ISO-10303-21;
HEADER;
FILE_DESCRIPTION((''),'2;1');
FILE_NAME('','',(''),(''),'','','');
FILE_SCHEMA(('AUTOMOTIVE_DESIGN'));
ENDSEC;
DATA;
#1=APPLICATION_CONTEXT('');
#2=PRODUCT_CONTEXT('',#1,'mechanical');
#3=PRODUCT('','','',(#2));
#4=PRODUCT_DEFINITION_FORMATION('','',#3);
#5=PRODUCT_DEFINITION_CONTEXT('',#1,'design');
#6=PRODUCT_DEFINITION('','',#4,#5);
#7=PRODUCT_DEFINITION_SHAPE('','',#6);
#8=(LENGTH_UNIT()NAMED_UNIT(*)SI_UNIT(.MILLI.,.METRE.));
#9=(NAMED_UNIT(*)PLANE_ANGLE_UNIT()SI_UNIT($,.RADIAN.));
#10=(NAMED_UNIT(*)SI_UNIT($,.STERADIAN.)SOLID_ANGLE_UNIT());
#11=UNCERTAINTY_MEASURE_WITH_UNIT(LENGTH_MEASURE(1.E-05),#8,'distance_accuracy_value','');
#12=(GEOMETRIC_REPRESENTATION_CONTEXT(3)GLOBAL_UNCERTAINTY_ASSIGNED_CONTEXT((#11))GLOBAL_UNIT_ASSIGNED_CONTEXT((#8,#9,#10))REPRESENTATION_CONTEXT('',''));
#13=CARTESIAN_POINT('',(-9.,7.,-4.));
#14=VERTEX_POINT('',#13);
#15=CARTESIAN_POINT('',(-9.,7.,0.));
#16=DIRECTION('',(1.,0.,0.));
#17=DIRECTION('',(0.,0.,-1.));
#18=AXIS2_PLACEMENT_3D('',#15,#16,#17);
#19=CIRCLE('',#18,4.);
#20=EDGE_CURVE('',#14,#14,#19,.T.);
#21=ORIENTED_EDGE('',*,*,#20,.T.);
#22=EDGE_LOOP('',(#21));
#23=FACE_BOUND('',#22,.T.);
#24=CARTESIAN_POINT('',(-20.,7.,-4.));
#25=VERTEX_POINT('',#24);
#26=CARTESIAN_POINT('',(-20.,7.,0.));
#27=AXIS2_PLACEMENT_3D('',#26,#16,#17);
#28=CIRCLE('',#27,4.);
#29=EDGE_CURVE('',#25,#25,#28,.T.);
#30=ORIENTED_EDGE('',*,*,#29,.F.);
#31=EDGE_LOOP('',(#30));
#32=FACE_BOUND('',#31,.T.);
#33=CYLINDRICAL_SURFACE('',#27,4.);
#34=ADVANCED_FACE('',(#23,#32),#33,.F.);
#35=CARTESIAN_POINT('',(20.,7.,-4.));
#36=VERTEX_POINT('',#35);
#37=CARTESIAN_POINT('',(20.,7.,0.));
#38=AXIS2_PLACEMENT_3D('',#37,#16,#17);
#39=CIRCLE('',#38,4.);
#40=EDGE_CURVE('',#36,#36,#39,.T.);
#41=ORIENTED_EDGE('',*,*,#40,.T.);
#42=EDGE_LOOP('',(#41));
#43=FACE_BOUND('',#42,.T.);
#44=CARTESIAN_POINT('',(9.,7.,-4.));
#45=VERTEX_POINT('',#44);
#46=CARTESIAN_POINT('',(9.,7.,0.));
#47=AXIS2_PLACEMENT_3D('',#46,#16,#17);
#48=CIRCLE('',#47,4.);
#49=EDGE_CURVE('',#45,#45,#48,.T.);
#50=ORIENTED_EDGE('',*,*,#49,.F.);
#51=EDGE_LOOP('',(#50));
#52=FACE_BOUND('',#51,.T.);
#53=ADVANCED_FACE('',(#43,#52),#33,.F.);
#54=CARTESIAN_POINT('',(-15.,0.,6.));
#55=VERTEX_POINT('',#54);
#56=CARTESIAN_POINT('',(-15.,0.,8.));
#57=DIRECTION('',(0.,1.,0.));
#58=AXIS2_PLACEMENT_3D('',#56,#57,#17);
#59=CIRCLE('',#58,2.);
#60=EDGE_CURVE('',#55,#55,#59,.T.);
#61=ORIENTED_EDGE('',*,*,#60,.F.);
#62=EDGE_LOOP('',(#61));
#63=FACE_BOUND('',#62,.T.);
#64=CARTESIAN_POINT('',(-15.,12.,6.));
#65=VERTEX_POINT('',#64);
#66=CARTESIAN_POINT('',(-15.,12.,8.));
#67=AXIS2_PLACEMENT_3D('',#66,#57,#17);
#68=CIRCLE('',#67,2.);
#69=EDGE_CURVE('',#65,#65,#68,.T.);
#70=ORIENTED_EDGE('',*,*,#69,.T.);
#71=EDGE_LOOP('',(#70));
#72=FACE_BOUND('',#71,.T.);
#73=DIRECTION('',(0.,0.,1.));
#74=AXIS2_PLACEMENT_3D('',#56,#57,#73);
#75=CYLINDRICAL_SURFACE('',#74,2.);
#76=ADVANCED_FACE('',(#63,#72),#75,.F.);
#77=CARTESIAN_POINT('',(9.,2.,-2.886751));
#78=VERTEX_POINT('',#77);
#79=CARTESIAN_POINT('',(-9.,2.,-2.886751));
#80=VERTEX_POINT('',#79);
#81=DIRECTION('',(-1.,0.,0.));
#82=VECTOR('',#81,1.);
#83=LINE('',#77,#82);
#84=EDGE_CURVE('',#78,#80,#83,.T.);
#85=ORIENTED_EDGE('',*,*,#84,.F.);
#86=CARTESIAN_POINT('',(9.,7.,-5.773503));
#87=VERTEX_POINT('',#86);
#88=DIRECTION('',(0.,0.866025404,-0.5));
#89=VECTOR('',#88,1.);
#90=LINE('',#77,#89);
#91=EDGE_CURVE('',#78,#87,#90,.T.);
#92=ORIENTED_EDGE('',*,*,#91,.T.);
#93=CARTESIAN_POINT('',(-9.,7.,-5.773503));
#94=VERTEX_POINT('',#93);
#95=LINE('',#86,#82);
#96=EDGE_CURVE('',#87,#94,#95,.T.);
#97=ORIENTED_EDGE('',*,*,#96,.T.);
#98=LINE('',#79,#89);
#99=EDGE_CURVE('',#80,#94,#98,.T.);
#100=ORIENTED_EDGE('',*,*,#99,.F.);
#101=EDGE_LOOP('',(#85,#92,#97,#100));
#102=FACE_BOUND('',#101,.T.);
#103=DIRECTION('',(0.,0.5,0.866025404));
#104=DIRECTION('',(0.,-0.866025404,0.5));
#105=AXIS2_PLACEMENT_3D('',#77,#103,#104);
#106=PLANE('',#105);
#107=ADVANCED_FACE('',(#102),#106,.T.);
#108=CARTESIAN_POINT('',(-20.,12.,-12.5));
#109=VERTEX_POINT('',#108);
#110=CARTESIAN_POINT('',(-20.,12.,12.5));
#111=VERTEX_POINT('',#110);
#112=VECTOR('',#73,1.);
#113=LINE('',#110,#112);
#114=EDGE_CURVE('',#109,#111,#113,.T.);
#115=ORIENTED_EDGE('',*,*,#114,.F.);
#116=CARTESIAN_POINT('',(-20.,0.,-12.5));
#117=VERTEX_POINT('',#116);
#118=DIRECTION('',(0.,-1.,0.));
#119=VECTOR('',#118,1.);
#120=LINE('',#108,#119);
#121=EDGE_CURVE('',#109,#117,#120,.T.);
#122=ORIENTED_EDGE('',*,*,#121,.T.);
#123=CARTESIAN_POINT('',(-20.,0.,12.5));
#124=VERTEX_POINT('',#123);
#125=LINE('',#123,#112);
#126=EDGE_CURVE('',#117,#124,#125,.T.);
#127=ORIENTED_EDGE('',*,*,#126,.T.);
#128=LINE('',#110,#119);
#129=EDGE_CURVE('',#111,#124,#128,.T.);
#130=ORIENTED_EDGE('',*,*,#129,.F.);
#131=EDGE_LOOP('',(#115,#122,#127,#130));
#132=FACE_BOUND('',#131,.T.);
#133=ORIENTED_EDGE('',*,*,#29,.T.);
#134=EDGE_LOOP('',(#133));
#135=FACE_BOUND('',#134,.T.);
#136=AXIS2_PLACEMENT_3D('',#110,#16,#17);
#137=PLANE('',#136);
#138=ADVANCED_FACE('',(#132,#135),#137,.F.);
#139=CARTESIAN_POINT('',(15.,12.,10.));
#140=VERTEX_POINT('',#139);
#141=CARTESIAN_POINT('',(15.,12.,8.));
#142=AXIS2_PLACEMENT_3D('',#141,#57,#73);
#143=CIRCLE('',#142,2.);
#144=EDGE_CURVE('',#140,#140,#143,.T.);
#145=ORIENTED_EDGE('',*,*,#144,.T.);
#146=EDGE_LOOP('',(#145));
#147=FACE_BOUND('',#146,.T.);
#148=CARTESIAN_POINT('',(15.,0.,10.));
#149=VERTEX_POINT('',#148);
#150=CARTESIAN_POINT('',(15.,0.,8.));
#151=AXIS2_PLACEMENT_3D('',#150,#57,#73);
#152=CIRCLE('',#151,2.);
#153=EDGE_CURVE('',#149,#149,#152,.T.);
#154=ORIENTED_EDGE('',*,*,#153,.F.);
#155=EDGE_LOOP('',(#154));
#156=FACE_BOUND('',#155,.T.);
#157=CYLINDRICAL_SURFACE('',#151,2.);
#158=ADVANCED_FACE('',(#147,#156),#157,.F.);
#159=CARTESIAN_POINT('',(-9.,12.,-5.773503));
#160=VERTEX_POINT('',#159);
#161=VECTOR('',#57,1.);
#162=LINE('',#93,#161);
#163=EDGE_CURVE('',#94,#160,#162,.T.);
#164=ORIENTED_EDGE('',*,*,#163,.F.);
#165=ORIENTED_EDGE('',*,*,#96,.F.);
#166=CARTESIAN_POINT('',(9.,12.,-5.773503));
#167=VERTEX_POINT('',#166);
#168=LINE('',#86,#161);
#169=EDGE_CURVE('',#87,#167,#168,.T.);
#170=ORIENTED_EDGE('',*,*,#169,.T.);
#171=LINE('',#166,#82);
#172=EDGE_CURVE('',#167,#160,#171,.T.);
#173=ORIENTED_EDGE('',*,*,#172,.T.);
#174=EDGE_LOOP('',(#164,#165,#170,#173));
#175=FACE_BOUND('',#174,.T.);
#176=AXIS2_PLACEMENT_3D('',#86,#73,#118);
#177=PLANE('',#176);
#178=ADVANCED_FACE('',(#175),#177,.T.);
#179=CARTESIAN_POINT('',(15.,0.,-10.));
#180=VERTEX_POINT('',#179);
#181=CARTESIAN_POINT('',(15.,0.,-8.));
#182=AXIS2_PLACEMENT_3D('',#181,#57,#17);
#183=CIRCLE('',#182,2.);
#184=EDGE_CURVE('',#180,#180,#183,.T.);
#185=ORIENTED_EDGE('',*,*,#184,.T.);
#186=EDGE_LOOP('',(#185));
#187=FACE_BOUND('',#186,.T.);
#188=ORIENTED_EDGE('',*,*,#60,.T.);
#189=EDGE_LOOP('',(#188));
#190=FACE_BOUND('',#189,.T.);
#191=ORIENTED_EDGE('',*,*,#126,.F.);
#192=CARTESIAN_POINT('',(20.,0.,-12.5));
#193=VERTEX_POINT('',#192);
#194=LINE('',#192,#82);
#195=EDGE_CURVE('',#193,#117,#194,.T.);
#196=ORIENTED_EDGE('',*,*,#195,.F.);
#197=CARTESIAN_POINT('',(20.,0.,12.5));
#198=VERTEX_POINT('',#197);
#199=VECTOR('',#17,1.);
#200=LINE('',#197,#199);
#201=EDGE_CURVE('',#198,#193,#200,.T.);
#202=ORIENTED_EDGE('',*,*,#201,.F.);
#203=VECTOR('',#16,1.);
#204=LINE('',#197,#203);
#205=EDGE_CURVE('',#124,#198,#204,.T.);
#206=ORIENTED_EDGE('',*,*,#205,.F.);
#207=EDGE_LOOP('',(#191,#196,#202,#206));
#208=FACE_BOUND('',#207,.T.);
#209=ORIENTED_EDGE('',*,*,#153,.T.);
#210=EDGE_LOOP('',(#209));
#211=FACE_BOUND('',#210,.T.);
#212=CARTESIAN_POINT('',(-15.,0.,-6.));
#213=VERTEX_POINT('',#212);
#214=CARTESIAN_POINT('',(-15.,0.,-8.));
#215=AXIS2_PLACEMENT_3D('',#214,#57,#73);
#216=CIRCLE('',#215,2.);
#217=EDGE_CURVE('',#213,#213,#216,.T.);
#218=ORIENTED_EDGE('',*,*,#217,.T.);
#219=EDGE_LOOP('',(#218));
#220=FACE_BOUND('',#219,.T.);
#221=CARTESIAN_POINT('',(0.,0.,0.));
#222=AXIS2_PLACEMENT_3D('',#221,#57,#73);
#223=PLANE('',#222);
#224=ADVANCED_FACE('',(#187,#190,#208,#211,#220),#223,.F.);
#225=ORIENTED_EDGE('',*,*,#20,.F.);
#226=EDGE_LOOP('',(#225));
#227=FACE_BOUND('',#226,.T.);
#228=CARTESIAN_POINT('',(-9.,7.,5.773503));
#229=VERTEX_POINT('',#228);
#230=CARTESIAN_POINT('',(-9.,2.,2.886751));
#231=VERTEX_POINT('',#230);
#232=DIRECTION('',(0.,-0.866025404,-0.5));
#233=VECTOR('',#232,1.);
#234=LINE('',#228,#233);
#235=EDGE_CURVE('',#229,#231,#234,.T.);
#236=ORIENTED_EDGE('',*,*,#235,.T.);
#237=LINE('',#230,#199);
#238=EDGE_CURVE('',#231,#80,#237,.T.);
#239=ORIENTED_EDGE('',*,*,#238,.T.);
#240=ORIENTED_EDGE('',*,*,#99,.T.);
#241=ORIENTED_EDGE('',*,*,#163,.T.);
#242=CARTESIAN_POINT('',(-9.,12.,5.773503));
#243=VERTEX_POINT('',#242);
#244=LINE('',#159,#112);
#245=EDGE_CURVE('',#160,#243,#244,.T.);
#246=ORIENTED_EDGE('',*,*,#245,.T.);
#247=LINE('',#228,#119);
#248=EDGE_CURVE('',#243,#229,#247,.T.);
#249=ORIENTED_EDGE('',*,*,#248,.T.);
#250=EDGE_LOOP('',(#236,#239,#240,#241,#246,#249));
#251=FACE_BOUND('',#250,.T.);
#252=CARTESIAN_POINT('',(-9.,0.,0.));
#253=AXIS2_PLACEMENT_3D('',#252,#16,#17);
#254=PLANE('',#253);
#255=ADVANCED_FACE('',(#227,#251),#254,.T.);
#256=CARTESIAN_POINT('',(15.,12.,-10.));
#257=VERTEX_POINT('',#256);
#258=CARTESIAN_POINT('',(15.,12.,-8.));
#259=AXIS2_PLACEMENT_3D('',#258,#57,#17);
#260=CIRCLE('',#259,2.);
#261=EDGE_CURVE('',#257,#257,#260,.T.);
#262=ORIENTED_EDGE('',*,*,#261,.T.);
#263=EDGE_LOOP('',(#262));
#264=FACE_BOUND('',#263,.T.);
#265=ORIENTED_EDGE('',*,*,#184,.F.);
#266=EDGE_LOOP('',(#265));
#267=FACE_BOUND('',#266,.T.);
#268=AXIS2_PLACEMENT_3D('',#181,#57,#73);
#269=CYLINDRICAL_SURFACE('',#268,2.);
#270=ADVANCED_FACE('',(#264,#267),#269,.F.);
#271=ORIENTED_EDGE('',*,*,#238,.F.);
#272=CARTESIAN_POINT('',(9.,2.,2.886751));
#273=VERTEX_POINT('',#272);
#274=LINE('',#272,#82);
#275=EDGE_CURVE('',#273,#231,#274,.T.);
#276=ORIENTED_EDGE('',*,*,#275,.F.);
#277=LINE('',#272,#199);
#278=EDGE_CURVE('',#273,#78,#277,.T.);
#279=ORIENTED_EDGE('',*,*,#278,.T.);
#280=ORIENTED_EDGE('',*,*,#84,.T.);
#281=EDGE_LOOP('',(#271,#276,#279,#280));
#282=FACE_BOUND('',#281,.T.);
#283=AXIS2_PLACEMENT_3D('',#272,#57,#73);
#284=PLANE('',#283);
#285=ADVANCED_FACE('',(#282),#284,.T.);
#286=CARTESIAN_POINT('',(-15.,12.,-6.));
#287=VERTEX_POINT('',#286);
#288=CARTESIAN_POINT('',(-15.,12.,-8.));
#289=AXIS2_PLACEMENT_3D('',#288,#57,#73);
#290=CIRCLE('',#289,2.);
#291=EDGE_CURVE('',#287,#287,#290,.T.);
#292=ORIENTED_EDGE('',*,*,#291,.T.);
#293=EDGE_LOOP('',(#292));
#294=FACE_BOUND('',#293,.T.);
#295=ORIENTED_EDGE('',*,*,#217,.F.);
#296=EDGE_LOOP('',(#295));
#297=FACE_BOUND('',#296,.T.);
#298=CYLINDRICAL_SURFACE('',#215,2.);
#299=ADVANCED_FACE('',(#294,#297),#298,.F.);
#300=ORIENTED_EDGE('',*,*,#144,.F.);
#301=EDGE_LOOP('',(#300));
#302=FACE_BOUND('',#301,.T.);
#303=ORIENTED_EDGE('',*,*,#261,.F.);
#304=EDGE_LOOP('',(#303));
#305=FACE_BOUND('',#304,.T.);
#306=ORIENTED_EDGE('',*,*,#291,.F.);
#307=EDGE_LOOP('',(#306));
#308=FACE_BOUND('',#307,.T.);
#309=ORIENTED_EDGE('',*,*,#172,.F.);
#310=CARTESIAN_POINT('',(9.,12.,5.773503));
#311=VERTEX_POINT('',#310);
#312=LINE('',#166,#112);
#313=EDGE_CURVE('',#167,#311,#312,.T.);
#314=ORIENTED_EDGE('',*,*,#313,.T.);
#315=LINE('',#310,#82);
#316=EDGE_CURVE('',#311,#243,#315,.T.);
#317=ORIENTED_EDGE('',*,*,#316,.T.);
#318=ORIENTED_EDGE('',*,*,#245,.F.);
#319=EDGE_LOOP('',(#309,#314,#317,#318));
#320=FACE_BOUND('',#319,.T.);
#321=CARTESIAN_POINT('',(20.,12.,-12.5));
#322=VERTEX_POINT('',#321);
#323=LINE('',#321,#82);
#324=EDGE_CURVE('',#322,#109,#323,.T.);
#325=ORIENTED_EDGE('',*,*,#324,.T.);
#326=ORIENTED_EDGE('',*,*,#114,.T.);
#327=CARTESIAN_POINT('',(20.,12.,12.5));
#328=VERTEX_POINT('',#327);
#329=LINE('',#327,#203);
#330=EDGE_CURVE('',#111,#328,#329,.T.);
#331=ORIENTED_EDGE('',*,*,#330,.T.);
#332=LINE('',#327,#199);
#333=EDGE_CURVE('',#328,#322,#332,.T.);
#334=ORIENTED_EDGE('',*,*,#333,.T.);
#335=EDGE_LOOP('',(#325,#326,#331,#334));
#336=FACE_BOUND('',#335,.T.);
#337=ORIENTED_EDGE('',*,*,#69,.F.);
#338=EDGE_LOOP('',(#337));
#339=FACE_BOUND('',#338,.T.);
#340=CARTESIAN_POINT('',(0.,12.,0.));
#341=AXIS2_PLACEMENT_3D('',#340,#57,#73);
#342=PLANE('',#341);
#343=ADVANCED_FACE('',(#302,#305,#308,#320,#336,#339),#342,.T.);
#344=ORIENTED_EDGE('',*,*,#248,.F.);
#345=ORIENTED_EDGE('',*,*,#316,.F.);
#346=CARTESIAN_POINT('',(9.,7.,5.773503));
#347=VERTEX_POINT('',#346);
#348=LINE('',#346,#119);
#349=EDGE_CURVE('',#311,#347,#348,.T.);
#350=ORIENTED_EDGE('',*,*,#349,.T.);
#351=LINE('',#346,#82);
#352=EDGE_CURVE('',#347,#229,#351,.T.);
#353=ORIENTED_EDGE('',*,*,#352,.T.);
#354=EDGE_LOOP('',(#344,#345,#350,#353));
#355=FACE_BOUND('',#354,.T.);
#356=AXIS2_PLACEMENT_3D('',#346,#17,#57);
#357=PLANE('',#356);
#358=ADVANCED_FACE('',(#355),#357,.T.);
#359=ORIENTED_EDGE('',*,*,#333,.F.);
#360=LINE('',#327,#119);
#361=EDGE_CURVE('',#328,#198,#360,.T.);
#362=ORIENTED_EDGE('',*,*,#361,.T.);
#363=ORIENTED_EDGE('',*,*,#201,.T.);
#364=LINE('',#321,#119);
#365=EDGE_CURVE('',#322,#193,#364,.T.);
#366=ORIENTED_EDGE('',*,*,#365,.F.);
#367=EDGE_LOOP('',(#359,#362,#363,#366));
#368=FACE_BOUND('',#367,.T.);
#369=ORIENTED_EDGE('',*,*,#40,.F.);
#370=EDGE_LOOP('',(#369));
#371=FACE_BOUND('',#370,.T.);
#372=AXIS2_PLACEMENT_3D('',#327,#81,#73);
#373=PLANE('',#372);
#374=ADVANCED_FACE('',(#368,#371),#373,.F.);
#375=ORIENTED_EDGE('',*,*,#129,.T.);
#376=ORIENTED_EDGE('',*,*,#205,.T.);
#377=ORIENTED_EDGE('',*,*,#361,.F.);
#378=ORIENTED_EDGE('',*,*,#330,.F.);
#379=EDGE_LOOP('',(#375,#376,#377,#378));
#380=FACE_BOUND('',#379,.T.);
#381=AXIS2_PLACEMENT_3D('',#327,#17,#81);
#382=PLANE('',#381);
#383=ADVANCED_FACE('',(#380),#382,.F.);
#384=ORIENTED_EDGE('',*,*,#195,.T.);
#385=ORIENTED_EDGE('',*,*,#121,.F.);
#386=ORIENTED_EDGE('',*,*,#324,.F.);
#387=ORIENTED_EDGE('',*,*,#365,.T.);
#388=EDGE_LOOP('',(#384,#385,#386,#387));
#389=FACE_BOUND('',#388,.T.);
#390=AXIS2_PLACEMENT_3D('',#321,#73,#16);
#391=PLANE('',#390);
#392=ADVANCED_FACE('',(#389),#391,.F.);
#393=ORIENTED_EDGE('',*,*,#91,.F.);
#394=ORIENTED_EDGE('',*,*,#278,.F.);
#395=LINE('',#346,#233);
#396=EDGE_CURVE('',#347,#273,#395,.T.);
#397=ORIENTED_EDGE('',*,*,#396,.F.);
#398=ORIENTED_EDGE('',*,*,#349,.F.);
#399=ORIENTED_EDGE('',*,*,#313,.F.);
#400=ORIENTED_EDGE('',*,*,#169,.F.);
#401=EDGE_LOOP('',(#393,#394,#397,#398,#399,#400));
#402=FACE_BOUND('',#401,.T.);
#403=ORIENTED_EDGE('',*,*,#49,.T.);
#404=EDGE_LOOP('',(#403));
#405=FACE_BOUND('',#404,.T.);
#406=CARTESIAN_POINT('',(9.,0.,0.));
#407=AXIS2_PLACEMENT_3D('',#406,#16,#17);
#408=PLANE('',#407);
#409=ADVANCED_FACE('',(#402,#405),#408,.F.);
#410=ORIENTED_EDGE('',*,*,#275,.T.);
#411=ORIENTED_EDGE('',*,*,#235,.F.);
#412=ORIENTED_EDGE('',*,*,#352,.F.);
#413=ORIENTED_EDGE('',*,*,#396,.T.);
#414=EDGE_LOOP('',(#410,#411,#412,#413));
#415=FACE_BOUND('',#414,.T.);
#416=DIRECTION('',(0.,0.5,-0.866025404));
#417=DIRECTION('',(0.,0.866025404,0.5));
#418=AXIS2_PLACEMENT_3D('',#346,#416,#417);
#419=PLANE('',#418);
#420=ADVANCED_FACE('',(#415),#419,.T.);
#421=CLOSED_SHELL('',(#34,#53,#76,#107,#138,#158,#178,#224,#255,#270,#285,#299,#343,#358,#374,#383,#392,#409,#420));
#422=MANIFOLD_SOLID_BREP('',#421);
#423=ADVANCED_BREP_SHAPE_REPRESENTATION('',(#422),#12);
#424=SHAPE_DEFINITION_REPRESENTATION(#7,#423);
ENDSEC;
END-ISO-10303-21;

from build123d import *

# Parameters (mm, degrees)
SKETCH1_W               = 40
SKETCH1_H               = 25
BOSS_EXTRUDE1_DEPTH     = 12
CUT_EXTRUDE1_DEPTH      = 9
CUT_EXTRUDE1_DEPTH_BACK = 9
SKETCH3_R               = 4
CUT_EXTRUDE2_DEPTH      = 21
CUT_EXTRUDE2_DEPTH_BACK = 21
SKETCH4_R               = 2
CUT_EXTRUDE3_DEPTH      = 1
CUT_EXTRUDE3_DEPTH_BACK = 13


with BuildPart() as part:
    # Sketch1 → Boss-Extrude1 (new body)
    with BuildSketch(Plane(origin=(0, 0, 0), x_dir=(1, 0, 0), z_dir=(0, 1, 0))):
        Rectangle(SKETCH1_W, SKETCH1_H)
    extrude(amount=BOSS_EXTRUDE1_DEPTH)

    # Sketch2 → Cut-Extrude1 (cut, two sides)
    with BuildSketch(Plane(origin=(0, 0, 0), x_dir=(0, 0, -1), z_dir=(1, 0, 0))) as cut_extrude1_sk:
        Polygon((-2.886751346, 2), (2.886751346, 2), (5.773502692, 7), (5.773502692, 12), (-5.773502692, 12), (-5.773502692, 7), align=None)
    extrude(amount=CUT_EXTRUDE1_DEPTH, mode=Mode.SUBTRACT)
    extrude(cut_extrude1_sk.sketch, amount=-CUT_EXTRUDE1_DEPTH_BACK, mode=Mode.SUBTRACT)

    # Sketch3 → Cut-Extrude2 (cut, two sides)
    with BuildSketch(Plane(origin=(0, 0, 0), x_dir=(0, 0, -1), z_dir=(1, 0, 0))) as cut_extrude2_sk:
        with Locations((0, 7)):
            Circle(SKETCH3_R)
    extrude(amount=CUT_EXTRUDE2_DEPTH, mode=Mode.SUBTRACT)
    extrude(cut_extrude2_sk.sketch, amount=-CUT_EXTRUDE2_DEPTH_BACK, mode=Mode.SUBTRACT)

    # Sketch4 → Cut-Extrude3 (cut, two sides)
    with BuildSketch(Plane(origin=(0, 12, 0), x_dir=(1, 0, 0), z_dir=(0, 1, 0))) as cut_extrude3_sk:
        with Locations((-15, 8)):
            Circle(SKETCH4_R)
        with Locations((15, 8)):
            Circle(SKETCH4_R)
        with Locations((15, -8)):
            Circle(SKETCH4_R)
        with Locations((-15, -8)):
            Circle(SKETCH4_R)
    extrude(amount=CUT_EXTRUDE3_DEPTH, mode=Mode.SUBTRACT)
    extrude(cut_extrude3_sk.sketch, amount=-CUT_EXTRUDE3_DEPTH_BACK, mode=Mode.SUBTRACT)


solid = part.part
